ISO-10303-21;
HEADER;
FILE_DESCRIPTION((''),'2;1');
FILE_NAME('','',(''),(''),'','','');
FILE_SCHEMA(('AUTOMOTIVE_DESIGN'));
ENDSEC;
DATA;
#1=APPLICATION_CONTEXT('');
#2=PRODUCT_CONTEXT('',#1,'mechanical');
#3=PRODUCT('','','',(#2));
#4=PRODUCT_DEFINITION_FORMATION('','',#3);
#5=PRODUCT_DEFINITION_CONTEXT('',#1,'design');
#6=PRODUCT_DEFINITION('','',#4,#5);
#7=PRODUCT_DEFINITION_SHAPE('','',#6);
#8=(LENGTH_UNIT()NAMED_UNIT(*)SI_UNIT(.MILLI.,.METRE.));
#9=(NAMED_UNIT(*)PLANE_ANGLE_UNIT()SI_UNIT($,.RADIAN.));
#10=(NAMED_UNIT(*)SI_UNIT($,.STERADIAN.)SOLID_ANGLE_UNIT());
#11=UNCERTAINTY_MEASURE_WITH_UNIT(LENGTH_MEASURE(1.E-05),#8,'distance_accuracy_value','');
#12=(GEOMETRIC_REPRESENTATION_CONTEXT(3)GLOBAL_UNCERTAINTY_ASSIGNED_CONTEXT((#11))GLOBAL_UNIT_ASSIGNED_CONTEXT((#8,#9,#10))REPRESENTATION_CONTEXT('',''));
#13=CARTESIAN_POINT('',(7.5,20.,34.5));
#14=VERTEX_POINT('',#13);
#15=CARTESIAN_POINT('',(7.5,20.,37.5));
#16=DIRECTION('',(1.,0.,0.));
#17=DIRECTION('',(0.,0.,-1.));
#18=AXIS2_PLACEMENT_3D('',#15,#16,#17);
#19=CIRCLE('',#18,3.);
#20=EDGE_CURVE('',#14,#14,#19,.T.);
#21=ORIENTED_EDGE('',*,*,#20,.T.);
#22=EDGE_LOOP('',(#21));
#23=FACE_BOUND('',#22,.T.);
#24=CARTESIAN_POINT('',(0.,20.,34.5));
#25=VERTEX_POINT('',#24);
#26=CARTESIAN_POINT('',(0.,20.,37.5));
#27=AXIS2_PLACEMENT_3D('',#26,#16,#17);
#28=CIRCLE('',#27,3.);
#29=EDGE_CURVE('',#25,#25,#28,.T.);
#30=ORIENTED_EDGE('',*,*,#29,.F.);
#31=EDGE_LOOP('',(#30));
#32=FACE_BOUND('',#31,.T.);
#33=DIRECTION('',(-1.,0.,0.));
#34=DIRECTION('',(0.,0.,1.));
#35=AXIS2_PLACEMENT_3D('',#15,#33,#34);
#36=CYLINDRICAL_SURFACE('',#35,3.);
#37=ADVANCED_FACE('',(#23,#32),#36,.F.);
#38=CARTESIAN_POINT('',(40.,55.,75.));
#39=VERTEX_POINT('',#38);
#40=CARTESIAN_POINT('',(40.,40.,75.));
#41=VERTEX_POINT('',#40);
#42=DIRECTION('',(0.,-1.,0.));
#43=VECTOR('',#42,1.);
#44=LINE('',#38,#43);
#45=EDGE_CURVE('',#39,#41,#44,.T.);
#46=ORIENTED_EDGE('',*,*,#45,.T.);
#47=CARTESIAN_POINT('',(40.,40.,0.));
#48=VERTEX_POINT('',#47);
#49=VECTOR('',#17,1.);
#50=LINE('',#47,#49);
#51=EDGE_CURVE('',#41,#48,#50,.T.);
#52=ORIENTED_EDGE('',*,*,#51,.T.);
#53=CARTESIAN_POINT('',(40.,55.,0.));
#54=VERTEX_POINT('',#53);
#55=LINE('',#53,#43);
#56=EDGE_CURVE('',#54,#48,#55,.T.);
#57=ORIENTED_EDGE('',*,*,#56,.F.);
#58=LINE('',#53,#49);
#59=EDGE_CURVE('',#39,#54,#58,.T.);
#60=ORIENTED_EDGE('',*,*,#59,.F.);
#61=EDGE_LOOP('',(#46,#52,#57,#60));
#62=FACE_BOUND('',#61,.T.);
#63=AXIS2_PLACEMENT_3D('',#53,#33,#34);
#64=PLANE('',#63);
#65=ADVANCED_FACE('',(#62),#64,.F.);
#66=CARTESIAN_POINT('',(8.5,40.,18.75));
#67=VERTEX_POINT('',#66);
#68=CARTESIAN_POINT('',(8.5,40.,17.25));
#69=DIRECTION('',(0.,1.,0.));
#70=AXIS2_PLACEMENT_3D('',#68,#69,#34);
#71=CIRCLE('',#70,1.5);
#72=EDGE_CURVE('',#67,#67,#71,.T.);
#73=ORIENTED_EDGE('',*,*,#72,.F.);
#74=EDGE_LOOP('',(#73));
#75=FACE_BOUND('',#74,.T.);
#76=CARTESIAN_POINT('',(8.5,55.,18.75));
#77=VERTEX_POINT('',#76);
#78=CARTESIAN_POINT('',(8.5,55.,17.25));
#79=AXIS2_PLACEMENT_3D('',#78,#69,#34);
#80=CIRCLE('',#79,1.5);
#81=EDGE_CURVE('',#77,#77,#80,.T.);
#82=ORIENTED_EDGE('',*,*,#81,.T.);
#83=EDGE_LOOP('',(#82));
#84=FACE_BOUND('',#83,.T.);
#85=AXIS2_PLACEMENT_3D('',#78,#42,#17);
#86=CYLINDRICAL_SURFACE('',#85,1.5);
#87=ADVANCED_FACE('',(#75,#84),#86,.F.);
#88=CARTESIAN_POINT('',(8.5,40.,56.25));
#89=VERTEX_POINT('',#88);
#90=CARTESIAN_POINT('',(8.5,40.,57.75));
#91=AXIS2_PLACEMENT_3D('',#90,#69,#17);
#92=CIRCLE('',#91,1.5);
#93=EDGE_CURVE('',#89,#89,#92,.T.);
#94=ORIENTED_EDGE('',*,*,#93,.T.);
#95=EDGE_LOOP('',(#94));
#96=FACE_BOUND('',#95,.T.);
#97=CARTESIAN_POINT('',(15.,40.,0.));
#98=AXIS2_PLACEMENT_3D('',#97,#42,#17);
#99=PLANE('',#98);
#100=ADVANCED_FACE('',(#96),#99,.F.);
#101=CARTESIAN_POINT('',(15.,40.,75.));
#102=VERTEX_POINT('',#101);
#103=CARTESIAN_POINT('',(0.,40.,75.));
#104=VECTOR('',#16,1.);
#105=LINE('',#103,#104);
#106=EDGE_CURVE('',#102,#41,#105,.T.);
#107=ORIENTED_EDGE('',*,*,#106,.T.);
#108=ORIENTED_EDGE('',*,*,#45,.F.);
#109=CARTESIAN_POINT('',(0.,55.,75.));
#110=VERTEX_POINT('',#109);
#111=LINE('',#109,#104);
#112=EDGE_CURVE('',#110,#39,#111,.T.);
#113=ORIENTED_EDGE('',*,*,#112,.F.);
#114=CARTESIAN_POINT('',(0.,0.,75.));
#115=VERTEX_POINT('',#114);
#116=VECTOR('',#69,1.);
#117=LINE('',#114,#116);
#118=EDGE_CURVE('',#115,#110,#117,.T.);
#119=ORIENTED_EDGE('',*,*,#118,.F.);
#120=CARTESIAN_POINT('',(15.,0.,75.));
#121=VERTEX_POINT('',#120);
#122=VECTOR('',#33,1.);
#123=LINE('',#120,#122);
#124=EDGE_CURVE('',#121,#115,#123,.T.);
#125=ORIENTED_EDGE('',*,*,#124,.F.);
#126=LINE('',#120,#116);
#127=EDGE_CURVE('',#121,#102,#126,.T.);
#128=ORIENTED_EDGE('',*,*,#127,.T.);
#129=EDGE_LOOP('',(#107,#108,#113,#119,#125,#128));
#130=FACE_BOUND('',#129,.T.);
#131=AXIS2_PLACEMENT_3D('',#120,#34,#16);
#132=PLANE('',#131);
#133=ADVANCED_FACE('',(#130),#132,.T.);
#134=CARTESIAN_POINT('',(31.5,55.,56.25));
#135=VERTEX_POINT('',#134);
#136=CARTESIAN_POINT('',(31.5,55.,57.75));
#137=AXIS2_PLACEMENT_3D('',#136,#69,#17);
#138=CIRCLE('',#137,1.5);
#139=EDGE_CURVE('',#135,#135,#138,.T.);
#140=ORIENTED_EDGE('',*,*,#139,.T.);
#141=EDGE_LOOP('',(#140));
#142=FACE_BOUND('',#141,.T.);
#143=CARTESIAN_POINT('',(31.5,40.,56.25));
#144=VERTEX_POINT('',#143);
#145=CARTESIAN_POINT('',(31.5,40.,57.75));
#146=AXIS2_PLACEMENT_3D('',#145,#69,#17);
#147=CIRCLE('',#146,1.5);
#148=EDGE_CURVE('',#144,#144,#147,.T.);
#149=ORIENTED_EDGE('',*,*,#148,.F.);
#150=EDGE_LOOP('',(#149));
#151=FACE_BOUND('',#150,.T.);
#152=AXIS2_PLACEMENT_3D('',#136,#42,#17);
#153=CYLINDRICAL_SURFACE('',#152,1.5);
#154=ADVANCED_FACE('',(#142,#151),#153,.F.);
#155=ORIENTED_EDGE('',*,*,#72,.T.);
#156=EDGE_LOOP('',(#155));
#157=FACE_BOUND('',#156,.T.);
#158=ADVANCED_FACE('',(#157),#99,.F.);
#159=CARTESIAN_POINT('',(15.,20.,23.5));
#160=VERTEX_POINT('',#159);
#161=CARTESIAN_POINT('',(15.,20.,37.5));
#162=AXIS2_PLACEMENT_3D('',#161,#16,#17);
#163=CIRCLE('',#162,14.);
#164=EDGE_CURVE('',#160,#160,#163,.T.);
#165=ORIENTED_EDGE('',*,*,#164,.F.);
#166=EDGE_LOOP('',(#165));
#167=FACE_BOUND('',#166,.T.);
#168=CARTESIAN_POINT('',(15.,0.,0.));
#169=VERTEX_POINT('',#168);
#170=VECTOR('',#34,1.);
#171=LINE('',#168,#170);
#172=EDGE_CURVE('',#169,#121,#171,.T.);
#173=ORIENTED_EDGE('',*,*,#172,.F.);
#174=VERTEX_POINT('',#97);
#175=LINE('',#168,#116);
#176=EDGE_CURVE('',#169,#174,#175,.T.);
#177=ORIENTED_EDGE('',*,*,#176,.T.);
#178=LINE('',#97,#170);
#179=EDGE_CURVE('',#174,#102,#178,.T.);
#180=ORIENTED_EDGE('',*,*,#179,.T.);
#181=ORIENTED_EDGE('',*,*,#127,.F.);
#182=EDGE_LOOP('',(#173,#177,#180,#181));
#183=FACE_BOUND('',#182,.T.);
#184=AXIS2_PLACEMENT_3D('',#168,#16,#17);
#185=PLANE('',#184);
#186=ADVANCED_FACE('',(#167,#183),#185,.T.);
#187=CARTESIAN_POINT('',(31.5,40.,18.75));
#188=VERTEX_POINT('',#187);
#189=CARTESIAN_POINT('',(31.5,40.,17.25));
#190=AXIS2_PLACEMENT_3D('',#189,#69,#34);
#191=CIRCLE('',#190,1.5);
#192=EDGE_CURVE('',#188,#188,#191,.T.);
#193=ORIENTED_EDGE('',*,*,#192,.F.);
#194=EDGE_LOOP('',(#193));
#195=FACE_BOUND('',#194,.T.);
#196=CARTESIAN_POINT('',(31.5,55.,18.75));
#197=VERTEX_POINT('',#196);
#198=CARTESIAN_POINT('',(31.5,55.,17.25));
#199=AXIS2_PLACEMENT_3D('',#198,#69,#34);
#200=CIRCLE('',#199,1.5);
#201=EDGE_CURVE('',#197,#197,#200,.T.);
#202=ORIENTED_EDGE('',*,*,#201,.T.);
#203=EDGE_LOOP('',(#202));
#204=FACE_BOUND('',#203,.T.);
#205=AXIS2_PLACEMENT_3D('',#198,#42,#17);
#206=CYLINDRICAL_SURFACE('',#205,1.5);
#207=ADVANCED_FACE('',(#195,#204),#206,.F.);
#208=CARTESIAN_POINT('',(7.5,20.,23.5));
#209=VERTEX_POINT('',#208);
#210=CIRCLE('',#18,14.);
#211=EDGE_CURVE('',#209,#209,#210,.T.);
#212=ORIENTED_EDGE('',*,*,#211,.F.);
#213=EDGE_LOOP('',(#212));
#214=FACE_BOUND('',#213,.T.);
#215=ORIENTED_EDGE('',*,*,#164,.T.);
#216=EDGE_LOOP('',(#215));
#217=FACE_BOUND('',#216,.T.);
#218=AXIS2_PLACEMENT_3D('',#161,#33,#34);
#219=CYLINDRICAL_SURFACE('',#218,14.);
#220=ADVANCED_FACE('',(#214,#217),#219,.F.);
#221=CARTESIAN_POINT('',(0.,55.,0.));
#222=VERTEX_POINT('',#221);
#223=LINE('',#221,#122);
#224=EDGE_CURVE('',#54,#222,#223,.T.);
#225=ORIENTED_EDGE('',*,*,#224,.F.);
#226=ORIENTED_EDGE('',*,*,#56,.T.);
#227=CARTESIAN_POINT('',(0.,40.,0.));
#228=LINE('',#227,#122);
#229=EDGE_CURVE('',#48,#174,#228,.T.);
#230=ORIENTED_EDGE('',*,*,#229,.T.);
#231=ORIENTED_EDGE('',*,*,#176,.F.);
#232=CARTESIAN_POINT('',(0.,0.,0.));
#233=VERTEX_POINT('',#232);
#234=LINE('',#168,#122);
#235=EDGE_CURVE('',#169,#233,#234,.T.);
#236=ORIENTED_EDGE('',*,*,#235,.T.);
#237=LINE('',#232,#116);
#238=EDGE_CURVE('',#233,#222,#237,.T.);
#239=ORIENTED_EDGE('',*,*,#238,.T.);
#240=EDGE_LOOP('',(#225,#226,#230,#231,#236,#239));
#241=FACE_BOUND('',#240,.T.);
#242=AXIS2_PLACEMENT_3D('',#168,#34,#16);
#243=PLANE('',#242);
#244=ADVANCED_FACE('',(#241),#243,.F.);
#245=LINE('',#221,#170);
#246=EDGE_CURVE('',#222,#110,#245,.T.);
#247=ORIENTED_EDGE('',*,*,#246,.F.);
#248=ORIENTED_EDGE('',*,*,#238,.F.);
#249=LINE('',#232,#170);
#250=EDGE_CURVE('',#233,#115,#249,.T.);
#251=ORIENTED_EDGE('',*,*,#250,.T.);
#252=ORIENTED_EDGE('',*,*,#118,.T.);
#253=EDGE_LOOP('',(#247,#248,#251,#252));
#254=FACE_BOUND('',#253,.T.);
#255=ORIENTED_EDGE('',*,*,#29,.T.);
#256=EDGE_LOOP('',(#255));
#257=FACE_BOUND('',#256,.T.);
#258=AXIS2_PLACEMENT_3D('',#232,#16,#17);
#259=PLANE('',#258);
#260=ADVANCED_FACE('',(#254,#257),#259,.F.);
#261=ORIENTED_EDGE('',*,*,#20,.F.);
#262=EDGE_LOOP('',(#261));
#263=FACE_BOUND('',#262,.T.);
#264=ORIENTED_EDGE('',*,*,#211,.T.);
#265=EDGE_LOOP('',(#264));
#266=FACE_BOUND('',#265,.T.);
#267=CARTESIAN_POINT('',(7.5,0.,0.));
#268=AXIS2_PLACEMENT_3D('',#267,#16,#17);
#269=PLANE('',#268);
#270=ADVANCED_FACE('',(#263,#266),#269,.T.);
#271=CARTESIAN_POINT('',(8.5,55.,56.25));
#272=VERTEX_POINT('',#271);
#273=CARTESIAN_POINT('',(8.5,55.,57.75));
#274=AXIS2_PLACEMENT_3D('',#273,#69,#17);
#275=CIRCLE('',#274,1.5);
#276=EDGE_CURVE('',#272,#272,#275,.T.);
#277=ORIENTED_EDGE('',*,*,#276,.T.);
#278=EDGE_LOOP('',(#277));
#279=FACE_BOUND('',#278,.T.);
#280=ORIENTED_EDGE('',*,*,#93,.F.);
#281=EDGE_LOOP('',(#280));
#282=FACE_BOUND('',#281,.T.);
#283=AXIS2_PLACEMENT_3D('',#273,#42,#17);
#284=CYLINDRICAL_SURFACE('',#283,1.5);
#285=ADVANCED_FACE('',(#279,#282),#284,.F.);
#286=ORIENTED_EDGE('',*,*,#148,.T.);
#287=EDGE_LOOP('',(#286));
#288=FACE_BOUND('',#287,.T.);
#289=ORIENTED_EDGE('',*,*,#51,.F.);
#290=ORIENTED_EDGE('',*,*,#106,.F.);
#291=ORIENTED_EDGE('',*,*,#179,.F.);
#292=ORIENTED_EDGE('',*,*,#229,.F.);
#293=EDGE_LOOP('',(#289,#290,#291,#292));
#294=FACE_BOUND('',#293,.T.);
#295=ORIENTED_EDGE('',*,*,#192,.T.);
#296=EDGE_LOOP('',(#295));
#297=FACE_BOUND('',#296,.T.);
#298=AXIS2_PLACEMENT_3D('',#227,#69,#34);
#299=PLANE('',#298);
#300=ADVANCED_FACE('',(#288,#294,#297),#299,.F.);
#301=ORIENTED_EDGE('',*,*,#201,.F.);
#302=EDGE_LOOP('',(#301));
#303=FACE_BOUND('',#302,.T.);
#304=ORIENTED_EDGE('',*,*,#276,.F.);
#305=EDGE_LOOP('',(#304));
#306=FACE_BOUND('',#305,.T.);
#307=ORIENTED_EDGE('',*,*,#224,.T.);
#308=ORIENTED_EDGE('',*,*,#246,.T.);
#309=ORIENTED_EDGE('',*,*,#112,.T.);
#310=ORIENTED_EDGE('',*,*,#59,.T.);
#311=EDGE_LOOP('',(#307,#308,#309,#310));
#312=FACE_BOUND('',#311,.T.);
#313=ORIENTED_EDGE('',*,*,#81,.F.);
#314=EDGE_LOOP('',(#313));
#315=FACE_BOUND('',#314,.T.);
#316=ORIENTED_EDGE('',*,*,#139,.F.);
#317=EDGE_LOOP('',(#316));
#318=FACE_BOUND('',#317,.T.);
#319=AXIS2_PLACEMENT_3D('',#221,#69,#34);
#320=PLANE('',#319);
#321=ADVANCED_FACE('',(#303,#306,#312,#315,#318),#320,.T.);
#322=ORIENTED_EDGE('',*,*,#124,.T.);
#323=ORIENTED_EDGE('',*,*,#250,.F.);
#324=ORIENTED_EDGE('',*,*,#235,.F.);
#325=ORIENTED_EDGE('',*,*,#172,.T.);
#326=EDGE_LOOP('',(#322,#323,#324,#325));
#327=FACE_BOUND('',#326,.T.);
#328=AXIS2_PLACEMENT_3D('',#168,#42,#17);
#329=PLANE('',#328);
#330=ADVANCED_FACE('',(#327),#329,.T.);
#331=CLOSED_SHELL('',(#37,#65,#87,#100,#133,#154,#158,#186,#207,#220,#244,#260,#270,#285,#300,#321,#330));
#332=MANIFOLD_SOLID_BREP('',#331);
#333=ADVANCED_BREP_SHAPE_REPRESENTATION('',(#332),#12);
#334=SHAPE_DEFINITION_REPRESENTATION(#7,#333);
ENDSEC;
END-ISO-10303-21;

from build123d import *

# Parameters (mm, degrees)
SKETCH1_W           = 75
SKETCH1_H           = 40
SKETCH1_R           = 14
BOSS_EXTRUDE1_DEPTH = 15
SKETCH1_3_R         = 14
SKETCH1_3_R_2       = 3
BOSS_EXTRUDE2_DEPTH = 7.5
SKETCH3_W           = 40
SKETCH3_H           = 75
SKETCH3_R           = 1.5
BOSS_EXTRUDE3_DEPTH = 15


with BuildPart() as part:
    # Sketch1 → Boss-Extrude1 (new body)
    with BuildSketch(Plane(origin=(0, 0, 0), x_dir=(0, 0, -1), z_dir=(1, 0, 0))):
        with Locations((-37.5, 20)):
            Rectangle(SKETCH1_W, SKETCH1_H)
        with Locations((-37.5, 20)):
            Circle(SKETCH1_R, mode=Mode.SUBTRACT)
    extrude(amount=BOSS_EXTRUDE1_DEPTH)

    # Sketch1<3> → Boss-Extrude2 (add)
    with BuildSketch(Plane(origin=(0, 0, 0), x_dir=(0, 0, -1), z_dir=(1, 0, 0))):
        with Locations((-37.5, 20)):
            Circle(SKETCH1_3_R)
        with Locations((-37.5, 20)):
            Circle(SKETCH1_3_R_2, mode=Mode.SUBTRACT)
    extrude(amount=BOSS_EXTRUDE2_DEPTH)

    # Sketch3 → Boss-Extrude3 (add)
    with BuildSketch(Plane(origin=(0, 40, 0), x_dir=(1, 0, 0), z_dir=(0, 1, 0))):
        with Locations((20, -37.5)):
            Rectangle(SKETCH3_W, SKETCH3_H)
        with Locations((8.5, -17.25)):
            Circle(SKETCH3_R, mode=Mode.SUBTRACT)
        with Locations((31.5, -17.25)):
            Circle(SKETCH3_R, mode=Mode.SUBTRACT)
        with Locations((31.5, -57.75)):
            Circle(SKETCH3_R, mode=Mode.SUBTRACT)
        with Locations((8.5, -57.75)):
            Circle(SKETCH3_R, mode=Mode.SUBTRACT)
    extrude(amount=BOSS_EXTRUDE3_DEPTH)


solid = part.part
